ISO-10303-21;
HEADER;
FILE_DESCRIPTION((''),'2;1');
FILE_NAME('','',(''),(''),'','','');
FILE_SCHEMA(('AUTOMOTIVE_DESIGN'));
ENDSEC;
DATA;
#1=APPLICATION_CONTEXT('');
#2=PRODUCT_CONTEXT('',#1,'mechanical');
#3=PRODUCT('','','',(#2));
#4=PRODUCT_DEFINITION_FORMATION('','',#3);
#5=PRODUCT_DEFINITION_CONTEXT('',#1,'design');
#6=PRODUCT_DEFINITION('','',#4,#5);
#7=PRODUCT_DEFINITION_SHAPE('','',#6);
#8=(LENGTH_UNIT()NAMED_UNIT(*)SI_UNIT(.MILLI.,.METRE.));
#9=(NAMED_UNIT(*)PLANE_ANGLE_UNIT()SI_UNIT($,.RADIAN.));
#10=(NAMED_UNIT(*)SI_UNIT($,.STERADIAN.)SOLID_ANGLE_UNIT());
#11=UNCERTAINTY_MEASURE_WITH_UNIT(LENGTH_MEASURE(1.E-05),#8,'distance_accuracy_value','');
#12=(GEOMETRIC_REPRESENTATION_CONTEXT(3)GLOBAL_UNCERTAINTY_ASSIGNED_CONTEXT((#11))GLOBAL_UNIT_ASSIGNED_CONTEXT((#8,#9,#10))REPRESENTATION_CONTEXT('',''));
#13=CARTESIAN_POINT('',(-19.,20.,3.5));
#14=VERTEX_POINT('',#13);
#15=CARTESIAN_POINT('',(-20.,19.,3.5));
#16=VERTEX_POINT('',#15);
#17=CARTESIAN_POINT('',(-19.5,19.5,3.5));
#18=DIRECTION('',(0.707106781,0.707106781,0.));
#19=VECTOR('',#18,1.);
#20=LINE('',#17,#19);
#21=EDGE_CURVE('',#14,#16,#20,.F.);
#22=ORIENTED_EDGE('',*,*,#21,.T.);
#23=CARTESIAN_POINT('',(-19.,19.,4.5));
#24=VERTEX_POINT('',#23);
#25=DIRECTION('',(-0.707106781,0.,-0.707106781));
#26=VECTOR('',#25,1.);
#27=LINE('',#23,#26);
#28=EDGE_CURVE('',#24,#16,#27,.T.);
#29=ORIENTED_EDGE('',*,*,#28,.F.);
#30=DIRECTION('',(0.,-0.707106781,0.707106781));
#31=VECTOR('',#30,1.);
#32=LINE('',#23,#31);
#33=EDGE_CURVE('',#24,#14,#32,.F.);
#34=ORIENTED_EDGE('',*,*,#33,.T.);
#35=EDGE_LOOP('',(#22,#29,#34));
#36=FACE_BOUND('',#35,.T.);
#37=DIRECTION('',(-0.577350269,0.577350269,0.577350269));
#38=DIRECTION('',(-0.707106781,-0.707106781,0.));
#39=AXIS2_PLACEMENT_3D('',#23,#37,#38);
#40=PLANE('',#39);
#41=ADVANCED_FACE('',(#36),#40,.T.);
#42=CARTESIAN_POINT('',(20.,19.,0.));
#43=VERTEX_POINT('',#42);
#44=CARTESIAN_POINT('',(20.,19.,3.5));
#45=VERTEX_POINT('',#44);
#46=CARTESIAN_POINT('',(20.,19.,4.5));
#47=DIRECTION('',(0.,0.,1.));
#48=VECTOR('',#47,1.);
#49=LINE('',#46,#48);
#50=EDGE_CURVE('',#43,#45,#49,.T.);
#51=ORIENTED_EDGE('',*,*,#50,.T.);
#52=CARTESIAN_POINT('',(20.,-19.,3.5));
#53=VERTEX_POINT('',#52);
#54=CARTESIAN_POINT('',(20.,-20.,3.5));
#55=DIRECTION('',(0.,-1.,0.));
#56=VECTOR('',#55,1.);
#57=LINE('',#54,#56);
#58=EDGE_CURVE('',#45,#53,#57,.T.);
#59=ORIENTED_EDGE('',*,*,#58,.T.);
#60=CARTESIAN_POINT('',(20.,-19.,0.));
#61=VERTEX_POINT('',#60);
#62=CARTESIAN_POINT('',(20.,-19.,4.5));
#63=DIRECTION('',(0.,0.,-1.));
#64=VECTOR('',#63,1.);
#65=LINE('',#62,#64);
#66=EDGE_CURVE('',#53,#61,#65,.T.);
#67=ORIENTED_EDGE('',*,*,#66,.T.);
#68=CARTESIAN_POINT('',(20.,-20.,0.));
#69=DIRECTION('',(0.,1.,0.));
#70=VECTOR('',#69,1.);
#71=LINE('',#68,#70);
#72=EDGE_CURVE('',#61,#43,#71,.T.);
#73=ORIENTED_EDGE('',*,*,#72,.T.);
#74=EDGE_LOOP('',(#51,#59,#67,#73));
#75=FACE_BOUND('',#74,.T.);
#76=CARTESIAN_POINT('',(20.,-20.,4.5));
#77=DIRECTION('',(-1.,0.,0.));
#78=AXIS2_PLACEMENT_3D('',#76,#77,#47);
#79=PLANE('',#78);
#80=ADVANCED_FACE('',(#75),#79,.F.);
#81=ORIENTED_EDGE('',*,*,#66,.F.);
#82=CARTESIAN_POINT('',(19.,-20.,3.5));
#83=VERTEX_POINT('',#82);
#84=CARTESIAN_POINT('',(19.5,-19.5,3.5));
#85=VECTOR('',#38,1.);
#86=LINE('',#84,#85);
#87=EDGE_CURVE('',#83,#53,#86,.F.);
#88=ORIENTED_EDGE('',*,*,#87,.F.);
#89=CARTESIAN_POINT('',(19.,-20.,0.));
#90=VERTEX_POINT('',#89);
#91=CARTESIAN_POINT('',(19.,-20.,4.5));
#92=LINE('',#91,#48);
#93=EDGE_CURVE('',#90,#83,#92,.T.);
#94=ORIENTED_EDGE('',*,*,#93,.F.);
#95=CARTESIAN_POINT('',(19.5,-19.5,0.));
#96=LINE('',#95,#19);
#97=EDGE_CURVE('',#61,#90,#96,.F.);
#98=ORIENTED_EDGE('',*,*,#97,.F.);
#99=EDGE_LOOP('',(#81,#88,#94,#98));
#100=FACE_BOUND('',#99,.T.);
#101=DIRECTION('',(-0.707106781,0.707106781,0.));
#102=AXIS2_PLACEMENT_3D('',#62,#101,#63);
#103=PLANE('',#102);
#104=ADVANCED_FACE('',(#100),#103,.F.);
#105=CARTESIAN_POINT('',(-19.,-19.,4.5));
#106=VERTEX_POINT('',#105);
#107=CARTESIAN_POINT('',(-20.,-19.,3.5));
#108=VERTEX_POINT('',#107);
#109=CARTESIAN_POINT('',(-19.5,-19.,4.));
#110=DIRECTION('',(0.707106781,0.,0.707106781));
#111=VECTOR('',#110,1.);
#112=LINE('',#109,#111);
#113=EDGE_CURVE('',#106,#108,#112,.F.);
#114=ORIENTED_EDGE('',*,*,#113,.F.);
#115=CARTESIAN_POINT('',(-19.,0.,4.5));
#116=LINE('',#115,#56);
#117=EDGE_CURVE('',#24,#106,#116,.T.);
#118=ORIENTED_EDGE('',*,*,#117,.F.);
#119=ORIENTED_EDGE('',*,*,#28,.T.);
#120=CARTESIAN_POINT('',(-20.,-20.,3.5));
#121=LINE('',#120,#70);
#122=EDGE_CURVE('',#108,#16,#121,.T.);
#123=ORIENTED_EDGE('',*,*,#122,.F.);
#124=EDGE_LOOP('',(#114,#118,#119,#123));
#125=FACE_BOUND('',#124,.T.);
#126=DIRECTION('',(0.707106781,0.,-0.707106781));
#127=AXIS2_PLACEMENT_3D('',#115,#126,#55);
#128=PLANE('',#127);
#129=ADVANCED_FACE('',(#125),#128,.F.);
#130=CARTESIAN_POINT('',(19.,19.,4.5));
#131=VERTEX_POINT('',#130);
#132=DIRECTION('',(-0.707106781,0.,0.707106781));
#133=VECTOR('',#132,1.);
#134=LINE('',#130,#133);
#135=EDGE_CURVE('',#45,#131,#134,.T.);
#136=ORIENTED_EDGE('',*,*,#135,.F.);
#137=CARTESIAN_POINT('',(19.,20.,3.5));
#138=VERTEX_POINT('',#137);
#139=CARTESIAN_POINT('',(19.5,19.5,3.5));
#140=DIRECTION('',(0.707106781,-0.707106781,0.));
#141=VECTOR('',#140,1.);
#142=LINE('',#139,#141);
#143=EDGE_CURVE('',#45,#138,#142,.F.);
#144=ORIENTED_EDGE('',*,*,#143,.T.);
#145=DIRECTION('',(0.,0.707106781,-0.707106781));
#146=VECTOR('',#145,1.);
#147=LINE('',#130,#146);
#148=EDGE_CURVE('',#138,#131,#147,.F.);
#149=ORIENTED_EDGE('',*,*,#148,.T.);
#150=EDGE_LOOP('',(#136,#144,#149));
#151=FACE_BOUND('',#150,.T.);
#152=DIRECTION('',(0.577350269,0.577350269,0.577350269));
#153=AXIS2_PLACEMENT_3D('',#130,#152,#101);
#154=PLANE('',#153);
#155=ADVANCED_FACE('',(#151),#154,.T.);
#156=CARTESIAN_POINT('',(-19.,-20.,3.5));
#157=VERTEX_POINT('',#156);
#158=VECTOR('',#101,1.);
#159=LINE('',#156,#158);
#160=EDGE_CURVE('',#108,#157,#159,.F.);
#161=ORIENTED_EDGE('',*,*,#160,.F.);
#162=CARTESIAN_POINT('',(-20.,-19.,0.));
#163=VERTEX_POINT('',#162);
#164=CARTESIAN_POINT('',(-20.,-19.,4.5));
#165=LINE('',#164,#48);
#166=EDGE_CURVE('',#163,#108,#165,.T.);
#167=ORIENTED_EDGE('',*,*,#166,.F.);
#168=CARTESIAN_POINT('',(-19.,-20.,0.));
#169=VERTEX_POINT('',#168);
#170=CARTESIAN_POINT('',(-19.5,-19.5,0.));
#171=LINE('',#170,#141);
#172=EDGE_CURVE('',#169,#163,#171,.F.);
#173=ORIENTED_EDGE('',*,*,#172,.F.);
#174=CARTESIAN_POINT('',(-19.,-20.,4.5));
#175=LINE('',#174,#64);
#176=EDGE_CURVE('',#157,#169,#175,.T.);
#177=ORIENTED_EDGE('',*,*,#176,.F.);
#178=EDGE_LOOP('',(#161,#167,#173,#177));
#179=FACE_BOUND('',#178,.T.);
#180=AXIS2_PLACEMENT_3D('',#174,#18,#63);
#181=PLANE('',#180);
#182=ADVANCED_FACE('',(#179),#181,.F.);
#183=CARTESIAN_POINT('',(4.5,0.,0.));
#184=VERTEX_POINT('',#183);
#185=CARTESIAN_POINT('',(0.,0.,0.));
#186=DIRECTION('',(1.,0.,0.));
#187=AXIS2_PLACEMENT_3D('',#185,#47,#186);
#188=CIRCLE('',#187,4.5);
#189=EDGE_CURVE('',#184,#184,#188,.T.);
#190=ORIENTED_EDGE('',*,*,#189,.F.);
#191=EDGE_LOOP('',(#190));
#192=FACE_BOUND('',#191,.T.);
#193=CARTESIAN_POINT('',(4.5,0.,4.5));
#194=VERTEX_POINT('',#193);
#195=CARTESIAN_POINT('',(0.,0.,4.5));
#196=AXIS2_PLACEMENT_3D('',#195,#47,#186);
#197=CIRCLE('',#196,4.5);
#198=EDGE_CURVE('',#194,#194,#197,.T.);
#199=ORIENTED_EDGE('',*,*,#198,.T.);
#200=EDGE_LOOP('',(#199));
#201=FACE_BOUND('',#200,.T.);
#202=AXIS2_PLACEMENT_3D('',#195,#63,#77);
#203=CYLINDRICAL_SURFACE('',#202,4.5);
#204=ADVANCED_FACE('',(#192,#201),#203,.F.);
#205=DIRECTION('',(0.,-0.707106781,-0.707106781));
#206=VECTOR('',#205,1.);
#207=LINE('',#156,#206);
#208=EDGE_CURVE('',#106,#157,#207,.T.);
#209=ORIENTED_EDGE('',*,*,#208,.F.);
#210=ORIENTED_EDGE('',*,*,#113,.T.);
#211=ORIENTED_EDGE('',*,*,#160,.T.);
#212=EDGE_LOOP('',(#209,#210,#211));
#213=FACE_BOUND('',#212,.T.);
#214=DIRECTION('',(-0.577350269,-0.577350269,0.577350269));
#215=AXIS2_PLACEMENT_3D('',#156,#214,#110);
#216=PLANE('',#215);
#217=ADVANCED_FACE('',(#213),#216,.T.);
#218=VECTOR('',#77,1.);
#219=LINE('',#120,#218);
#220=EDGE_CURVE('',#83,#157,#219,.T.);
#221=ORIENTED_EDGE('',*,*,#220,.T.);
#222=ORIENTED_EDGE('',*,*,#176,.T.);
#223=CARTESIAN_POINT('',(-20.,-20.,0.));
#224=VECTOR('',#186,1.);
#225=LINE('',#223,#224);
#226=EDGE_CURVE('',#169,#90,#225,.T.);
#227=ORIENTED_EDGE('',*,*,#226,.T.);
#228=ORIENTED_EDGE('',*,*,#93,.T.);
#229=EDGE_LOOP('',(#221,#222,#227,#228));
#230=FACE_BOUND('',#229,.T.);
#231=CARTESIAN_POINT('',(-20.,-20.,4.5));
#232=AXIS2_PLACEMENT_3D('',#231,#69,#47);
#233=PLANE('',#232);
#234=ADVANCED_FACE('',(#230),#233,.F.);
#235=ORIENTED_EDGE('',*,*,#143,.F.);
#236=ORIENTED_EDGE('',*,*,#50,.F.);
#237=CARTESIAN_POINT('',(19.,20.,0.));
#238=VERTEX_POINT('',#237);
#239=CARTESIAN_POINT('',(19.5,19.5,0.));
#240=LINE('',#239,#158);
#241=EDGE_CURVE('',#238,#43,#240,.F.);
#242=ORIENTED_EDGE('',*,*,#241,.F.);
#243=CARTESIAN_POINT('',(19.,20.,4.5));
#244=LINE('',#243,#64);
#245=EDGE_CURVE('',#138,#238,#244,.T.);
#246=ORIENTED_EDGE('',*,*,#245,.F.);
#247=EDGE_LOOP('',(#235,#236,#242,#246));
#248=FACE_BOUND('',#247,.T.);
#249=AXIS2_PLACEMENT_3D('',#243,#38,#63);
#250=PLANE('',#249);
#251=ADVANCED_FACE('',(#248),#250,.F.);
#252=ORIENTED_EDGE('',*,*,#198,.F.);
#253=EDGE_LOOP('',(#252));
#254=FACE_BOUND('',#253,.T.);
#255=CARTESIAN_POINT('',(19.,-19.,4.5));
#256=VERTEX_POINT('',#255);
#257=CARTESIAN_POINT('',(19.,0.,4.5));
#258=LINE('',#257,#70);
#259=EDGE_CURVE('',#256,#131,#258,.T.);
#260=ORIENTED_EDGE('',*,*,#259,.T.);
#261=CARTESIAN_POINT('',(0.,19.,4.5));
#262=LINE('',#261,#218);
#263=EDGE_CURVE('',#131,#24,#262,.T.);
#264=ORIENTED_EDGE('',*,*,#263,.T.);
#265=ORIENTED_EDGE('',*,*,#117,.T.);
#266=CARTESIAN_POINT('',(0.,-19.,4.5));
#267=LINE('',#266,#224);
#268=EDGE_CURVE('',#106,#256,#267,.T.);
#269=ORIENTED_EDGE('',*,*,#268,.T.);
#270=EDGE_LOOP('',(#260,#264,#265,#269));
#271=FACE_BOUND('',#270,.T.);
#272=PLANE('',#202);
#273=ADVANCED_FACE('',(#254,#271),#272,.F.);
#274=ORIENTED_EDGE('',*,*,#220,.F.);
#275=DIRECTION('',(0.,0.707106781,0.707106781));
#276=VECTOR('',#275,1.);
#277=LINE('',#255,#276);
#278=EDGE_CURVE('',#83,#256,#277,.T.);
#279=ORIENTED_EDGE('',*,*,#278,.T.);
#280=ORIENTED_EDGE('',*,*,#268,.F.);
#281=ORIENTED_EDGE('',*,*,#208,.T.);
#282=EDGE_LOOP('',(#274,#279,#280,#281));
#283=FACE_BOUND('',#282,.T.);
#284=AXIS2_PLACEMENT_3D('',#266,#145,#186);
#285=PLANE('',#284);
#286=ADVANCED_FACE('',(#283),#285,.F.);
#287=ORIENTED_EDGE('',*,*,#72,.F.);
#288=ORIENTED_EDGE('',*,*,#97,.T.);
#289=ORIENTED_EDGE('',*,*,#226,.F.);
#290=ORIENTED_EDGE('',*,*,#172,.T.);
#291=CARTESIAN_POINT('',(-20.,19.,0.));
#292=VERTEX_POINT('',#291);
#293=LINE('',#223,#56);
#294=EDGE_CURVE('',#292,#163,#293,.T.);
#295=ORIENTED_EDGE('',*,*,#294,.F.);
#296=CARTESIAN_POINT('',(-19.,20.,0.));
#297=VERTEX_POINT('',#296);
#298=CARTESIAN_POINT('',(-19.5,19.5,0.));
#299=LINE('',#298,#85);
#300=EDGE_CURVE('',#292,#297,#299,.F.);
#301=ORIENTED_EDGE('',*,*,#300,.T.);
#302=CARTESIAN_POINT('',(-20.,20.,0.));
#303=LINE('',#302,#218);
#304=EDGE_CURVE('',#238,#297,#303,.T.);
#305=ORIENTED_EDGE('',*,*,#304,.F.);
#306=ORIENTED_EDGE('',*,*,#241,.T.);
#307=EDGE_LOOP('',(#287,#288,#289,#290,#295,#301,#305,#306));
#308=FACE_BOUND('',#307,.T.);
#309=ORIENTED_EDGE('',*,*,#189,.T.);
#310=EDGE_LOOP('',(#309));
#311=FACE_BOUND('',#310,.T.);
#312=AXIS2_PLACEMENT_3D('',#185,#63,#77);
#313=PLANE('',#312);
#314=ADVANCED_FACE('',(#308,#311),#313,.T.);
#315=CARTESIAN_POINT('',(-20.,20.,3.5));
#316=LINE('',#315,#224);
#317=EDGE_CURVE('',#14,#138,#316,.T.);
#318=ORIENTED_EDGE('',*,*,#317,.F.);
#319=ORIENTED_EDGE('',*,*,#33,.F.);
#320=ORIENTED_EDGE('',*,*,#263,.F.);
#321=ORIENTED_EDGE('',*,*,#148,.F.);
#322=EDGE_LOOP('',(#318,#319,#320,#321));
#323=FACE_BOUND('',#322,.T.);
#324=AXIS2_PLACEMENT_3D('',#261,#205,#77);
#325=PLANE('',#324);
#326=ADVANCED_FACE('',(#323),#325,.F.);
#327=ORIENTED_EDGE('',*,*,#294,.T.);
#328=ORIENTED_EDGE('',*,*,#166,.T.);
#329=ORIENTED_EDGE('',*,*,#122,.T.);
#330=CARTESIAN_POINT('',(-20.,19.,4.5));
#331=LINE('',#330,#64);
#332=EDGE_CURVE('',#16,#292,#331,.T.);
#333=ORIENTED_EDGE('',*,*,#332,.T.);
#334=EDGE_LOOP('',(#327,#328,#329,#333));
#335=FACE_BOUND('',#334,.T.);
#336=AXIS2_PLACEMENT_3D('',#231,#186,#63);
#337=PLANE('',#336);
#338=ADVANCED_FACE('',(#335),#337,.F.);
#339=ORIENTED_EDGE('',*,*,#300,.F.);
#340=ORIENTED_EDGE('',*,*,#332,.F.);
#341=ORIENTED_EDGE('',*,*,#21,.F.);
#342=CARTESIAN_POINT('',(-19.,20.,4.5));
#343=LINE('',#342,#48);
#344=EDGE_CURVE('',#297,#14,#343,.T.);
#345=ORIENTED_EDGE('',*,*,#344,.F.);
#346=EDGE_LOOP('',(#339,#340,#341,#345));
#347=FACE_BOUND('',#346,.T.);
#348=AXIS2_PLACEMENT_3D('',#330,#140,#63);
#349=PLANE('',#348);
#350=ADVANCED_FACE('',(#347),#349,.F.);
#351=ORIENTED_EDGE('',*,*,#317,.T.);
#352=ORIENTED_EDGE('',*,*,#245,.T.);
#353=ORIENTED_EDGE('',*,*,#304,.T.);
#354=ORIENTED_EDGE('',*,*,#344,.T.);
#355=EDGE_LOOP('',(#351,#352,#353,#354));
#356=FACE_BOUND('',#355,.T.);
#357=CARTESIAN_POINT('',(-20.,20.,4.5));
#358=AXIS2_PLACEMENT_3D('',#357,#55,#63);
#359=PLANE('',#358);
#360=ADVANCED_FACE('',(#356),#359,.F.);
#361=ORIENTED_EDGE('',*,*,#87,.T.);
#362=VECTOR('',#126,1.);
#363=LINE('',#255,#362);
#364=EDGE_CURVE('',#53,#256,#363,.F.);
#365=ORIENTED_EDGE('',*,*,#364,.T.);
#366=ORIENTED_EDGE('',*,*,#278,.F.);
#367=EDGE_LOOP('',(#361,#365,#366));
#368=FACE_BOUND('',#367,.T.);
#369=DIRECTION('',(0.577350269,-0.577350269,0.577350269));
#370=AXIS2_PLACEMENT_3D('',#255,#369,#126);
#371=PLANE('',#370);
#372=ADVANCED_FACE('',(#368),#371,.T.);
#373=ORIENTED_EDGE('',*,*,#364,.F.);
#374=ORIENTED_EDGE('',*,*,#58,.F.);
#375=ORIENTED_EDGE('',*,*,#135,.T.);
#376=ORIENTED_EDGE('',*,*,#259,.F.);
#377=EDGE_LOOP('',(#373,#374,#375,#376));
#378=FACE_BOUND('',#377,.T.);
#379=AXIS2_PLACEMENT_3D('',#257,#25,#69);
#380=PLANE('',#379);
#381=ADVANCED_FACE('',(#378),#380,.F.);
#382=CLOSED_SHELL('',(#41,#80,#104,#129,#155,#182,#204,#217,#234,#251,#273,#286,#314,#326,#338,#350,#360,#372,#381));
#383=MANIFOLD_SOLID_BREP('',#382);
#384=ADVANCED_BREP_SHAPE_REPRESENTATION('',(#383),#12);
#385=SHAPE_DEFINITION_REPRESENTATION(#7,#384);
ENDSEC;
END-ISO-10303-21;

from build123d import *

# Parameters (mm, degrees)
CROQUIS1_W              = 40
CROQUIS1_H              = 40
CROQUIS1_R              = 4.5
SALIENTE_EXTRUIR1_DEPTH = 4.5
CHAFL_N1_SIZE           = 1


with BuildPart() as part:
    # Croquis1 → Saliente-Extruir1 (new body)
    with BuildSketch(Plane.XY):
        Rectangle(CROQUIS1_W, CROQUIS1_H)
        Circle(CROQUIS1_R, mode=Mode.SUBTRACT)
    extrude(amount=SALIENTE_EXTRUIR1_DEPTH)

    # Chaflán1
    chafl_n1_edges = [part.edges().sort_by_distance(p)[0] for p in [
        (-20, 0, 4.5),
        (0, -20, 4.5),
        (20, 0, 4.5),
        (20, -20, 2.25),
        (-20, -20, 2.25),
        (-20, 20, 2.25),
        (20, 20, 2.25),
        (0, 20, 4.5),
    ]]
    chamfer(chafl_n1_edges, length=CHAFL_N1_SIZE)


solid = part.part
